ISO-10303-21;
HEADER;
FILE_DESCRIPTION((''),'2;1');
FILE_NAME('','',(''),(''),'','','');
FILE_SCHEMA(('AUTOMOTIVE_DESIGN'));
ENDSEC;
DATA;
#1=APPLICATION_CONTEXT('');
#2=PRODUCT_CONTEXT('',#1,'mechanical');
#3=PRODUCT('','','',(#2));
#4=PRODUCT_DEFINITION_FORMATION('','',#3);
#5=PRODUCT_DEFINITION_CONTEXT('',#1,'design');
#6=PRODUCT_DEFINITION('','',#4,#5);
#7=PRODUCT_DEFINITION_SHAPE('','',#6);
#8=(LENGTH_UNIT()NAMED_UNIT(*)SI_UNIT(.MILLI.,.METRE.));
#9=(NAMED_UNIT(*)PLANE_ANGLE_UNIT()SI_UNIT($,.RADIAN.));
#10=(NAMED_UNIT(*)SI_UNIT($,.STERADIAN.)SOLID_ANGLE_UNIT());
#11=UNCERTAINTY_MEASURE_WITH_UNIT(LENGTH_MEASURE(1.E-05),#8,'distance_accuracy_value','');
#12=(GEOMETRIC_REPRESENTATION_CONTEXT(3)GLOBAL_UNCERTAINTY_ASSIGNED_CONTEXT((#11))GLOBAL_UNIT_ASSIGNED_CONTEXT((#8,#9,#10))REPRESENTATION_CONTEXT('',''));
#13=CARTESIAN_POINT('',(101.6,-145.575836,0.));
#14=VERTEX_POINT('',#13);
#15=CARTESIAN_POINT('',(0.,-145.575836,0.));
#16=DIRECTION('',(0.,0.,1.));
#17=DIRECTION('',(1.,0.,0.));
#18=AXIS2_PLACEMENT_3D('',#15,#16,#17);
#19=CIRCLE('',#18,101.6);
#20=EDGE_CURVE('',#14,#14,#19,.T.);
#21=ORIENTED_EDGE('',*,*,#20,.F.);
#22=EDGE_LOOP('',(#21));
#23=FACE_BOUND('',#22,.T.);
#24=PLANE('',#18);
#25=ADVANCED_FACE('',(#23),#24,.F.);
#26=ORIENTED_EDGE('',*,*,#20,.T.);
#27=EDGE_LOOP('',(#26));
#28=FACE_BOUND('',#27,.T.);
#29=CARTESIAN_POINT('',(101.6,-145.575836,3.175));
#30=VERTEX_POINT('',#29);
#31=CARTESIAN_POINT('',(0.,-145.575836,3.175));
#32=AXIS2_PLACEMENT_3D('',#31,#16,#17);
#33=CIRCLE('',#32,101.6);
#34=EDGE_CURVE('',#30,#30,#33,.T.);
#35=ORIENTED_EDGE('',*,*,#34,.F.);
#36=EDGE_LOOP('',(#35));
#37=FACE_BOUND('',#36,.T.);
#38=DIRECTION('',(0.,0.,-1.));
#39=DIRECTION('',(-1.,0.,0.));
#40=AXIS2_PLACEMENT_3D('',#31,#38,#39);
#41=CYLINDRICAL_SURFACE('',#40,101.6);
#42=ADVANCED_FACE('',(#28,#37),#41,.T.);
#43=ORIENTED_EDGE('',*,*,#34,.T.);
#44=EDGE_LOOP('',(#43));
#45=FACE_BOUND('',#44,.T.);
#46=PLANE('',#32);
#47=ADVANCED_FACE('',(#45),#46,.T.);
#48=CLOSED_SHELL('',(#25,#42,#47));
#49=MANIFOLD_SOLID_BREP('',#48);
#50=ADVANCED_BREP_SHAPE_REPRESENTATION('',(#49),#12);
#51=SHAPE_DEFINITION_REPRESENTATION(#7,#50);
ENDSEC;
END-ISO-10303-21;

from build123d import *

# Parameters (mm, degrees)
SKETCH1_R           = 101.6
BOSS_EXTRUDE1_DEPTH = 3.175


with BuildPart() as part:
    # Sketch1 → Boss-Extrude1 (new body)
    with BuildSketch(Plane.XY):
        with Locations((0, -145.57583625)):
            Circle(SKETCH1_R)
    extrude(amount=BOSS_EXTRUDE1_DEPTH)


solid = part.part
